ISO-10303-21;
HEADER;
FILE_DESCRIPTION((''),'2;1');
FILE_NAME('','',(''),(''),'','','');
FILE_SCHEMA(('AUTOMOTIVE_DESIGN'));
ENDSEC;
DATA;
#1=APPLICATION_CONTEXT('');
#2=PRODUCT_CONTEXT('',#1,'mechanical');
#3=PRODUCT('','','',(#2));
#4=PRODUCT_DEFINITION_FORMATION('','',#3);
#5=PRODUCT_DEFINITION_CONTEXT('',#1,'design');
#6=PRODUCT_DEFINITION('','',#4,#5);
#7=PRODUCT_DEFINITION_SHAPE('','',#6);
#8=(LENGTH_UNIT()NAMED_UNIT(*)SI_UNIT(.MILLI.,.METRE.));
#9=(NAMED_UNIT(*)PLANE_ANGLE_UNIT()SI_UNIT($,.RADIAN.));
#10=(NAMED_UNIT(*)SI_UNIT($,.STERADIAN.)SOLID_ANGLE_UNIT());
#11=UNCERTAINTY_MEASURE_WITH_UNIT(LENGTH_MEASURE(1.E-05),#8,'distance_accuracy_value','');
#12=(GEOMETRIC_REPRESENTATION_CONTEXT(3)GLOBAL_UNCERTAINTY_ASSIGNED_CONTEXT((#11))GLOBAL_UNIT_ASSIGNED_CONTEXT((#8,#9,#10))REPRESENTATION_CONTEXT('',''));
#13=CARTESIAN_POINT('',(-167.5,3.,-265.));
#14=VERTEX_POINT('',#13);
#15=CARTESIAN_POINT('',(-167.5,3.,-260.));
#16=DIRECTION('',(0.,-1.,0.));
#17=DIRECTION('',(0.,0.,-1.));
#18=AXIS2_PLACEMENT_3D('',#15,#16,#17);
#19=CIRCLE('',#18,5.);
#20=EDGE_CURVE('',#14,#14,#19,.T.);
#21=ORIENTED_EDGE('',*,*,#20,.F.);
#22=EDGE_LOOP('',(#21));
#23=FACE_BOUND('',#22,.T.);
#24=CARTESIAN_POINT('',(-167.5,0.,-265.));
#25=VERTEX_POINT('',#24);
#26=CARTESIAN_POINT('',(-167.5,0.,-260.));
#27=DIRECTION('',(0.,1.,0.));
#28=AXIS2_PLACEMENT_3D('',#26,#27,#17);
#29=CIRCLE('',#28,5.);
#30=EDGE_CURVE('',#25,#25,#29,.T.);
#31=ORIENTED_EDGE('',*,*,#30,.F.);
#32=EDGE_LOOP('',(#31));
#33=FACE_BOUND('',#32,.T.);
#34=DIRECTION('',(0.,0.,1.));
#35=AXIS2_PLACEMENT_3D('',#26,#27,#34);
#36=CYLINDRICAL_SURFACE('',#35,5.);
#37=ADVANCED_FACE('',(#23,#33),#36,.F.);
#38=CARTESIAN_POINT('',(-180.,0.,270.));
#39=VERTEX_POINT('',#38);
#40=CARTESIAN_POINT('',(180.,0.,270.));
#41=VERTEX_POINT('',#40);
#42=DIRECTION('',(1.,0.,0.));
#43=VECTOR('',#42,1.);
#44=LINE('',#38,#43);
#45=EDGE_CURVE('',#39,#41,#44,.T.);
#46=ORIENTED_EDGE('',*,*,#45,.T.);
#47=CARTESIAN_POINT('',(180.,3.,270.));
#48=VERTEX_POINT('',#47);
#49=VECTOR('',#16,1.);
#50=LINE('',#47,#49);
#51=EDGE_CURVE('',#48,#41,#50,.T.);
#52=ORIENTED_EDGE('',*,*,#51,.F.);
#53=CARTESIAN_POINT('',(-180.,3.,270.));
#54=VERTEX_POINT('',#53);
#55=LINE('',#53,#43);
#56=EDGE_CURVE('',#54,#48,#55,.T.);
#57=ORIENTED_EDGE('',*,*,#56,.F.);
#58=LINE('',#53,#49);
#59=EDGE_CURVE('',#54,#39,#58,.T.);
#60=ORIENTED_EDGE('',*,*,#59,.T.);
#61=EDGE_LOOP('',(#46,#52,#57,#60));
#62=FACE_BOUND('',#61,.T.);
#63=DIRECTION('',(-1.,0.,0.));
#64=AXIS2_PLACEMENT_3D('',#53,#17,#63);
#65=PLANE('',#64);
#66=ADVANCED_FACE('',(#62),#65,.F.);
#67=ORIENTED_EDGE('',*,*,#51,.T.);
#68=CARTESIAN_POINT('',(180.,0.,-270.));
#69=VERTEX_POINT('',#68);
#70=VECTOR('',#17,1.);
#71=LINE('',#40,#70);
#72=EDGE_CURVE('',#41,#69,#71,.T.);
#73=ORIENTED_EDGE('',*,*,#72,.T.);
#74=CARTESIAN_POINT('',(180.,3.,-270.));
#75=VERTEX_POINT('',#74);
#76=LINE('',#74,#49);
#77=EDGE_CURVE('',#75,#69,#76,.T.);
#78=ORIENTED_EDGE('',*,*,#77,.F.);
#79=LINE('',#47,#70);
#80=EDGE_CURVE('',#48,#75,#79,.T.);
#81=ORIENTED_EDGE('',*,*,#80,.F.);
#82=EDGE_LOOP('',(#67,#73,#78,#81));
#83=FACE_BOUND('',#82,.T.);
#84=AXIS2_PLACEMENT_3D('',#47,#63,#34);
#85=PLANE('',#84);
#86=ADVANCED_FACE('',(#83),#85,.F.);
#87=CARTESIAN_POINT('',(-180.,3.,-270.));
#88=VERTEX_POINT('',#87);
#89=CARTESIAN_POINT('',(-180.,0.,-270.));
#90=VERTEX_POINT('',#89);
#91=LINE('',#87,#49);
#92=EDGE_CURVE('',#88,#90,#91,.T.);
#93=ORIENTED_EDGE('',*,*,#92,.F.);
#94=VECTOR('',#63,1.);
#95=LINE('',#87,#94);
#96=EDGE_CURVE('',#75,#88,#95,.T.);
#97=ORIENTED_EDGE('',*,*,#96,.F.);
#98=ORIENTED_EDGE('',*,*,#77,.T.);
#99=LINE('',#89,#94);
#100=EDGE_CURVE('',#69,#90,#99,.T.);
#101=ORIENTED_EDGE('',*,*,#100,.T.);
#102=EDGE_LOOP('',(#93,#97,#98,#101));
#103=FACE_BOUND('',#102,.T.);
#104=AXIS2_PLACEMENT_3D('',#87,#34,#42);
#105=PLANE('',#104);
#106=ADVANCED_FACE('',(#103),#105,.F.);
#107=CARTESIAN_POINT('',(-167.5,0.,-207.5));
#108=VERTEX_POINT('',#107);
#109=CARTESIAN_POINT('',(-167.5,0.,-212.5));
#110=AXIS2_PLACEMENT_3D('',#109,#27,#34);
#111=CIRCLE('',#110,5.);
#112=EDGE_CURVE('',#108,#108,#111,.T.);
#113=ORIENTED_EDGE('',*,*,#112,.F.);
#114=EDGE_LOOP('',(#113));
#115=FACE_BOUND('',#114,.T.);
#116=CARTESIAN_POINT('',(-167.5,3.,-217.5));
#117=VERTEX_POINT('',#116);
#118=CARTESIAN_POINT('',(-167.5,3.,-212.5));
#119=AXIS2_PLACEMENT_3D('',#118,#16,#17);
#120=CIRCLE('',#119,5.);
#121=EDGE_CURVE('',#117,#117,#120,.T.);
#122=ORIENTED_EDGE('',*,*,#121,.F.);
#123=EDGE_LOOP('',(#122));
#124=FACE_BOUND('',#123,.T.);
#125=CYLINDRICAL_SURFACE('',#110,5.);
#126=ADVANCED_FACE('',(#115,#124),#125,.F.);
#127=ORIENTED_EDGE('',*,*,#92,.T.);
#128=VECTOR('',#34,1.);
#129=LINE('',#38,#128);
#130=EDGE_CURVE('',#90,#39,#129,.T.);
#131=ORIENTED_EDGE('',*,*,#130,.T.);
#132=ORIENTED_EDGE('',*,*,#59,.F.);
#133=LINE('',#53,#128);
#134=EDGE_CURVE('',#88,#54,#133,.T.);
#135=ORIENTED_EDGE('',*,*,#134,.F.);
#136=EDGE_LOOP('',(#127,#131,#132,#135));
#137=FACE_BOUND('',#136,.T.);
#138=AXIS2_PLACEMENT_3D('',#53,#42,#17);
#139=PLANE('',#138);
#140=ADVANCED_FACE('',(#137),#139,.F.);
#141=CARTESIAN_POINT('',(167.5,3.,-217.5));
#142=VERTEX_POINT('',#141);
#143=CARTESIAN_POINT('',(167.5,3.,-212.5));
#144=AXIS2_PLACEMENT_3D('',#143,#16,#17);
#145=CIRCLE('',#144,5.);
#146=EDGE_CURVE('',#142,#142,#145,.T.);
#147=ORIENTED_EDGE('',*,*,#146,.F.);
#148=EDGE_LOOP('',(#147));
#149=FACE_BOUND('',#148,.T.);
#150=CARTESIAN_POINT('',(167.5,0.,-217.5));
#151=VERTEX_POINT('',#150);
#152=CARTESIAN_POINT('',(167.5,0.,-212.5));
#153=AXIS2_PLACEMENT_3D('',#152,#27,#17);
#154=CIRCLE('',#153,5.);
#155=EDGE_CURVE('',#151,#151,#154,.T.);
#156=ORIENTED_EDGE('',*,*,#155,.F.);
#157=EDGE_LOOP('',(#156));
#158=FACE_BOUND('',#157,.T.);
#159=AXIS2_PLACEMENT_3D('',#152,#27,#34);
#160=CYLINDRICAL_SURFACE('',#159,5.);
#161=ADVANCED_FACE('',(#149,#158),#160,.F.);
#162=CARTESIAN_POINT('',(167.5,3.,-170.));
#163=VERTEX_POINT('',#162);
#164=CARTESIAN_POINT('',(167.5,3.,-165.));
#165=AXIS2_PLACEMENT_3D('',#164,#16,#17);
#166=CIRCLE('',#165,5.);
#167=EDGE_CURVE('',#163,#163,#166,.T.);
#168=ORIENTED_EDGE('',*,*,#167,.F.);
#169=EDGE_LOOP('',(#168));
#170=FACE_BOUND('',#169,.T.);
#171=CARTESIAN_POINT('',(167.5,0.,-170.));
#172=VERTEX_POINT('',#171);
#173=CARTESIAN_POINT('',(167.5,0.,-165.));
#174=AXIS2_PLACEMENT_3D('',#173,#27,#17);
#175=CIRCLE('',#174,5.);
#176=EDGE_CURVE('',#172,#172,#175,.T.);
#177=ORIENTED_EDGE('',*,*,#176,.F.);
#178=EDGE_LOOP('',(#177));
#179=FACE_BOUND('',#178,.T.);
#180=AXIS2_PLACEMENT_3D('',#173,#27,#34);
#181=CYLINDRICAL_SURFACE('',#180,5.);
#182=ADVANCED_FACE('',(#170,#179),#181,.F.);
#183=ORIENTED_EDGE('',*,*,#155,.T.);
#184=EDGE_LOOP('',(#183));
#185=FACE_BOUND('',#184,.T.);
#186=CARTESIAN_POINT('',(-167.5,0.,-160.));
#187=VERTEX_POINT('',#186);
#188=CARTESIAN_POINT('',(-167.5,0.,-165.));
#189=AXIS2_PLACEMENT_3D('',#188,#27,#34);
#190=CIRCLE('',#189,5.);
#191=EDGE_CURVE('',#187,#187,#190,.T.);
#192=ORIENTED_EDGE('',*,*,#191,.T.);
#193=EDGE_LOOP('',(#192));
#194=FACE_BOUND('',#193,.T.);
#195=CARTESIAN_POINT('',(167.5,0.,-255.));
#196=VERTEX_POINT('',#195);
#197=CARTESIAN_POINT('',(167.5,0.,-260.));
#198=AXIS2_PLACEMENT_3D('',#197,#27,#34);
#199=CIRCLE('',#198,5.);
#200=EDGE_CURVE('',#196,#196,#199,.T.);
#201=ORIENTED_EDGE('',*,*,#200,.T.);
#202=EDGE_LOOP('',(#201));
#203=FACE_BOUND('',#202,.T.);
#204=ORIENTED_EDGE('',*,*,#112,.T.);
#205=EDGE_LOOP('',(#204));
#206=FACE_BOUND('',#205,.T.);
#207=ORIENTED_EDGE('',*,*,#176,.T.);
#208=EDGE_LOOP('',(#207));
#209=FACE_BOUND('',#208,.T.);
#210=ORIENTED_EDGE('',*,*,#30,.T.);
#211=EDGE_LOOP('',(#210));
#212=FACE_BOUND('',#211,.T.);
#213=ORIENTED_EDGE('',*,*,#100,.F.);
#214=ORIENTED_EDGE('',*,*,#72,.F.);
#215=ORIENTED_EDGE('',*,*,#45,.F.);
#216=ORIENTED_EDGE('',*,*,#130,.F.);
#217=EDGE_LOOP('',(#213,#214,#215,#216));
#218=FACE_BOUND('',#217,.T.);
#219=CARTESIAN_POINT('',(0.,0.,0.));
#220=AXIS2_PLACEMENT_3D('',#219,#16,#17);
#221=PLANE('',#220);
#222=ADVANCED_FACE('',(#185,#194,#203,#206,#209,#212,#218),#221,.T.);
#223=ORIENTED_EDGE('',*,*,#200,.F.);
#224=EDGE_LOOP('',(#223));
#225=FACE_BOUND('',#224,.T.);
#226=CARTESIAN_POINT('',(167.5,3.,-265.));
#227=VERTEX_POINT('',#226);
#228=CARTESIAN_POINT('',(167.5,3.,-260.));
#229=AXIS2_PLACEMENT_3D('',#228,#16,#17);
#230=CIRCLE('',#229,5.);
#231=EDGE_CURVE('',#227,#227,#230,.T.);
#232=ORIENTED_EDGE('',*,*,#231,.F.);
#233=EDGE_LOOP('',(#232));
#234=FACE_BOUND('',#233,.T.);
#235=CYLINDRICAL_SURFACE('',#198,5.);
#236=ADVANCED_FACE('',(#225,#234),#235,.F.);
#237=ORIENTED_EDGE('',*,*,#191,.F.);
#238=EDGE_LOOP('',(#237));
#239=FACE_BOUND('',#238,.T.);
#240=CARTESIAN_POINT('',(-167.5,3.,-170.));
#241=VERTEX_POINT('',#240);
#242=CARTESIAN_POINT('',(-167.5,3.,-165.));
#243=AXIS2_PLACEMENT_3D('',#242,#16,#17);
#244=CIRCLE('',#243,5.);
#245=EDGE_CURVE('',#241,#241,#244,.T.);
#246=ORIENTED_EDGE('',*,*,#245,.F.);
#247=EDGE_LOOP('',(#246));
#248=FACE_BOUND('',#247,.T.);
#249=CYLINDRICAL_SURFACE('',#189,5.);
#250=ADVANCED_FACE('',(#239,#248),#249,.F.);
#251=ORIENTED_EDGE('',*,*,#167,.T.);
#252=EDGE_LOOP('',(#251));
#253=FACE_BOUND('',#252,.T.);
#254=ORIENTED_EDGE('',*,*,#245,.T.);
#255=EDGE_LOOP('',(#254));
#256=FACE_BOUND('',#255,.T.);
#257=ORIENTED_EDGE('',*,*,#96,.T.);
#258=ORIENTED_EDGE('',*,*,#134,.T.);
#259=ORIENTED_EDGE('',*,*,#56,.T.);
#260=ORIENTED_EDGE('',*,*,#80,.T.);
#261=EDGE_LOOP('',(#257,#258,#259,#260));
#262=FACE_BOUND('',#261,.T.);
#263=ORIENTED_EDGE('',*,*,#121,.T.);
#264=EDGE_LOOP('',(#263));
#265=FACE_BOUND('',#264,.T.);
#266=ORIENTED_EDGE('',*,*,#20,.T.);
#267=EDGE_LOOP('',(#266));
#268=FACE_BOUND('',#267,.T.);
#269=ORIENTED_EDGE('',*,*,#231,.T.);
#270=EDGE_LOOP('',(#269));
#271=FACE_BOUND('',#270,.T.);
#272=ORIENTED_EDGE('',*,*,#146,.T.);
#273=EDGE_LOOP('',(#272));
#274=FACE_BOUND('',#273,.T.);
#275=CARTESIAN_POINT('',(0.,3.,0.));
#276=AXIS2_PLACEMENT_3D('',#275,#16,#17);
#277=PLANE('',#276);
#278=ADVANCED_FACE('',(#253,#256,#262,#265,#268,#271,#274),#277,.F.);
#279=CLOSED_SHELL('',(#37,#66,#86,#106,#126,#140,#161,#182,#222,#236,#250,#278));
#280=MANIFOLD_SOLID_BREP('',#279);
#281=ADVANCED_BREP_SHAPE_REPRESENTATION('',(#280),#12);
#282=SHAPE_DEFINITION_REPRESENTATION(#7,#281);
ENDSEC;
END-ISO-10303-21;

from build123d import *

# Parameters (mm, degrees)
SKETCH1_W               = 360
SKETCH1_H               = 540
BOSS_EXTRUDE1_DEPTH     = 3
CUT_EXTRUDE1_DEPTH      = 325.513482
CUT_EXTRUDE1_DEPTH_BACK = 325.513482
SKETCH2_R               = 5


with BuildPart() as part:
    # Sketch1 → Boss-Extrude1 (new body)
    with BuildSketch(Plane(origin=(0, 0, 0), x_dir=(1, 0, 0), z_dir=(0, 1, 0))):
        Rectangle(SKETCH1_W, SKETCH1_H)
    extrude(amount=BOSS_EXTRUDE1_DEPTH)

    # Sketch2 → Cut-Extrude1 (cut, two sides: drawn at the far end of the back side and taken through both)
    with BuildSketch(Plane(origin=(0, 3, 0), x_dir=(1, 0, 0), z_dir=(0, 1, 0)).offset(-CUT_EXTRUDE1_DEPTH_BACK)):
        with Locations(Location((-167.5, 212.5, 0), (0, 0, 270))):
            Circle(SKETCH2_R)
        with Locations(Location((-167.5, 165, 0), (0, 0, 270))):
            Circle(SKETCH2_R)
        with Locations(Location((-167.5, 260, 0), (0, 0, 90))):
            Circle(SKETCH2_R)
        with Locations(Location((167.5, 260, 0), (0, 0, 270))):
            Circle(SKETCH2_R)
        with Locations(Location((167.5, 165, 0), (0, 0, 90))):
            Circle(SKETCH2_R)
        with Locations(Location((167.5, 212.5, 0), (0, 0, 90))):
            Circle(SKETCH2_R)
    extrude(amount=CUT_EXTRUDE1_DEPTH + CUT_EXTRUDE1_DEPTH_BACK, mode=Mode.SUBTRACT)


solid = part.part
